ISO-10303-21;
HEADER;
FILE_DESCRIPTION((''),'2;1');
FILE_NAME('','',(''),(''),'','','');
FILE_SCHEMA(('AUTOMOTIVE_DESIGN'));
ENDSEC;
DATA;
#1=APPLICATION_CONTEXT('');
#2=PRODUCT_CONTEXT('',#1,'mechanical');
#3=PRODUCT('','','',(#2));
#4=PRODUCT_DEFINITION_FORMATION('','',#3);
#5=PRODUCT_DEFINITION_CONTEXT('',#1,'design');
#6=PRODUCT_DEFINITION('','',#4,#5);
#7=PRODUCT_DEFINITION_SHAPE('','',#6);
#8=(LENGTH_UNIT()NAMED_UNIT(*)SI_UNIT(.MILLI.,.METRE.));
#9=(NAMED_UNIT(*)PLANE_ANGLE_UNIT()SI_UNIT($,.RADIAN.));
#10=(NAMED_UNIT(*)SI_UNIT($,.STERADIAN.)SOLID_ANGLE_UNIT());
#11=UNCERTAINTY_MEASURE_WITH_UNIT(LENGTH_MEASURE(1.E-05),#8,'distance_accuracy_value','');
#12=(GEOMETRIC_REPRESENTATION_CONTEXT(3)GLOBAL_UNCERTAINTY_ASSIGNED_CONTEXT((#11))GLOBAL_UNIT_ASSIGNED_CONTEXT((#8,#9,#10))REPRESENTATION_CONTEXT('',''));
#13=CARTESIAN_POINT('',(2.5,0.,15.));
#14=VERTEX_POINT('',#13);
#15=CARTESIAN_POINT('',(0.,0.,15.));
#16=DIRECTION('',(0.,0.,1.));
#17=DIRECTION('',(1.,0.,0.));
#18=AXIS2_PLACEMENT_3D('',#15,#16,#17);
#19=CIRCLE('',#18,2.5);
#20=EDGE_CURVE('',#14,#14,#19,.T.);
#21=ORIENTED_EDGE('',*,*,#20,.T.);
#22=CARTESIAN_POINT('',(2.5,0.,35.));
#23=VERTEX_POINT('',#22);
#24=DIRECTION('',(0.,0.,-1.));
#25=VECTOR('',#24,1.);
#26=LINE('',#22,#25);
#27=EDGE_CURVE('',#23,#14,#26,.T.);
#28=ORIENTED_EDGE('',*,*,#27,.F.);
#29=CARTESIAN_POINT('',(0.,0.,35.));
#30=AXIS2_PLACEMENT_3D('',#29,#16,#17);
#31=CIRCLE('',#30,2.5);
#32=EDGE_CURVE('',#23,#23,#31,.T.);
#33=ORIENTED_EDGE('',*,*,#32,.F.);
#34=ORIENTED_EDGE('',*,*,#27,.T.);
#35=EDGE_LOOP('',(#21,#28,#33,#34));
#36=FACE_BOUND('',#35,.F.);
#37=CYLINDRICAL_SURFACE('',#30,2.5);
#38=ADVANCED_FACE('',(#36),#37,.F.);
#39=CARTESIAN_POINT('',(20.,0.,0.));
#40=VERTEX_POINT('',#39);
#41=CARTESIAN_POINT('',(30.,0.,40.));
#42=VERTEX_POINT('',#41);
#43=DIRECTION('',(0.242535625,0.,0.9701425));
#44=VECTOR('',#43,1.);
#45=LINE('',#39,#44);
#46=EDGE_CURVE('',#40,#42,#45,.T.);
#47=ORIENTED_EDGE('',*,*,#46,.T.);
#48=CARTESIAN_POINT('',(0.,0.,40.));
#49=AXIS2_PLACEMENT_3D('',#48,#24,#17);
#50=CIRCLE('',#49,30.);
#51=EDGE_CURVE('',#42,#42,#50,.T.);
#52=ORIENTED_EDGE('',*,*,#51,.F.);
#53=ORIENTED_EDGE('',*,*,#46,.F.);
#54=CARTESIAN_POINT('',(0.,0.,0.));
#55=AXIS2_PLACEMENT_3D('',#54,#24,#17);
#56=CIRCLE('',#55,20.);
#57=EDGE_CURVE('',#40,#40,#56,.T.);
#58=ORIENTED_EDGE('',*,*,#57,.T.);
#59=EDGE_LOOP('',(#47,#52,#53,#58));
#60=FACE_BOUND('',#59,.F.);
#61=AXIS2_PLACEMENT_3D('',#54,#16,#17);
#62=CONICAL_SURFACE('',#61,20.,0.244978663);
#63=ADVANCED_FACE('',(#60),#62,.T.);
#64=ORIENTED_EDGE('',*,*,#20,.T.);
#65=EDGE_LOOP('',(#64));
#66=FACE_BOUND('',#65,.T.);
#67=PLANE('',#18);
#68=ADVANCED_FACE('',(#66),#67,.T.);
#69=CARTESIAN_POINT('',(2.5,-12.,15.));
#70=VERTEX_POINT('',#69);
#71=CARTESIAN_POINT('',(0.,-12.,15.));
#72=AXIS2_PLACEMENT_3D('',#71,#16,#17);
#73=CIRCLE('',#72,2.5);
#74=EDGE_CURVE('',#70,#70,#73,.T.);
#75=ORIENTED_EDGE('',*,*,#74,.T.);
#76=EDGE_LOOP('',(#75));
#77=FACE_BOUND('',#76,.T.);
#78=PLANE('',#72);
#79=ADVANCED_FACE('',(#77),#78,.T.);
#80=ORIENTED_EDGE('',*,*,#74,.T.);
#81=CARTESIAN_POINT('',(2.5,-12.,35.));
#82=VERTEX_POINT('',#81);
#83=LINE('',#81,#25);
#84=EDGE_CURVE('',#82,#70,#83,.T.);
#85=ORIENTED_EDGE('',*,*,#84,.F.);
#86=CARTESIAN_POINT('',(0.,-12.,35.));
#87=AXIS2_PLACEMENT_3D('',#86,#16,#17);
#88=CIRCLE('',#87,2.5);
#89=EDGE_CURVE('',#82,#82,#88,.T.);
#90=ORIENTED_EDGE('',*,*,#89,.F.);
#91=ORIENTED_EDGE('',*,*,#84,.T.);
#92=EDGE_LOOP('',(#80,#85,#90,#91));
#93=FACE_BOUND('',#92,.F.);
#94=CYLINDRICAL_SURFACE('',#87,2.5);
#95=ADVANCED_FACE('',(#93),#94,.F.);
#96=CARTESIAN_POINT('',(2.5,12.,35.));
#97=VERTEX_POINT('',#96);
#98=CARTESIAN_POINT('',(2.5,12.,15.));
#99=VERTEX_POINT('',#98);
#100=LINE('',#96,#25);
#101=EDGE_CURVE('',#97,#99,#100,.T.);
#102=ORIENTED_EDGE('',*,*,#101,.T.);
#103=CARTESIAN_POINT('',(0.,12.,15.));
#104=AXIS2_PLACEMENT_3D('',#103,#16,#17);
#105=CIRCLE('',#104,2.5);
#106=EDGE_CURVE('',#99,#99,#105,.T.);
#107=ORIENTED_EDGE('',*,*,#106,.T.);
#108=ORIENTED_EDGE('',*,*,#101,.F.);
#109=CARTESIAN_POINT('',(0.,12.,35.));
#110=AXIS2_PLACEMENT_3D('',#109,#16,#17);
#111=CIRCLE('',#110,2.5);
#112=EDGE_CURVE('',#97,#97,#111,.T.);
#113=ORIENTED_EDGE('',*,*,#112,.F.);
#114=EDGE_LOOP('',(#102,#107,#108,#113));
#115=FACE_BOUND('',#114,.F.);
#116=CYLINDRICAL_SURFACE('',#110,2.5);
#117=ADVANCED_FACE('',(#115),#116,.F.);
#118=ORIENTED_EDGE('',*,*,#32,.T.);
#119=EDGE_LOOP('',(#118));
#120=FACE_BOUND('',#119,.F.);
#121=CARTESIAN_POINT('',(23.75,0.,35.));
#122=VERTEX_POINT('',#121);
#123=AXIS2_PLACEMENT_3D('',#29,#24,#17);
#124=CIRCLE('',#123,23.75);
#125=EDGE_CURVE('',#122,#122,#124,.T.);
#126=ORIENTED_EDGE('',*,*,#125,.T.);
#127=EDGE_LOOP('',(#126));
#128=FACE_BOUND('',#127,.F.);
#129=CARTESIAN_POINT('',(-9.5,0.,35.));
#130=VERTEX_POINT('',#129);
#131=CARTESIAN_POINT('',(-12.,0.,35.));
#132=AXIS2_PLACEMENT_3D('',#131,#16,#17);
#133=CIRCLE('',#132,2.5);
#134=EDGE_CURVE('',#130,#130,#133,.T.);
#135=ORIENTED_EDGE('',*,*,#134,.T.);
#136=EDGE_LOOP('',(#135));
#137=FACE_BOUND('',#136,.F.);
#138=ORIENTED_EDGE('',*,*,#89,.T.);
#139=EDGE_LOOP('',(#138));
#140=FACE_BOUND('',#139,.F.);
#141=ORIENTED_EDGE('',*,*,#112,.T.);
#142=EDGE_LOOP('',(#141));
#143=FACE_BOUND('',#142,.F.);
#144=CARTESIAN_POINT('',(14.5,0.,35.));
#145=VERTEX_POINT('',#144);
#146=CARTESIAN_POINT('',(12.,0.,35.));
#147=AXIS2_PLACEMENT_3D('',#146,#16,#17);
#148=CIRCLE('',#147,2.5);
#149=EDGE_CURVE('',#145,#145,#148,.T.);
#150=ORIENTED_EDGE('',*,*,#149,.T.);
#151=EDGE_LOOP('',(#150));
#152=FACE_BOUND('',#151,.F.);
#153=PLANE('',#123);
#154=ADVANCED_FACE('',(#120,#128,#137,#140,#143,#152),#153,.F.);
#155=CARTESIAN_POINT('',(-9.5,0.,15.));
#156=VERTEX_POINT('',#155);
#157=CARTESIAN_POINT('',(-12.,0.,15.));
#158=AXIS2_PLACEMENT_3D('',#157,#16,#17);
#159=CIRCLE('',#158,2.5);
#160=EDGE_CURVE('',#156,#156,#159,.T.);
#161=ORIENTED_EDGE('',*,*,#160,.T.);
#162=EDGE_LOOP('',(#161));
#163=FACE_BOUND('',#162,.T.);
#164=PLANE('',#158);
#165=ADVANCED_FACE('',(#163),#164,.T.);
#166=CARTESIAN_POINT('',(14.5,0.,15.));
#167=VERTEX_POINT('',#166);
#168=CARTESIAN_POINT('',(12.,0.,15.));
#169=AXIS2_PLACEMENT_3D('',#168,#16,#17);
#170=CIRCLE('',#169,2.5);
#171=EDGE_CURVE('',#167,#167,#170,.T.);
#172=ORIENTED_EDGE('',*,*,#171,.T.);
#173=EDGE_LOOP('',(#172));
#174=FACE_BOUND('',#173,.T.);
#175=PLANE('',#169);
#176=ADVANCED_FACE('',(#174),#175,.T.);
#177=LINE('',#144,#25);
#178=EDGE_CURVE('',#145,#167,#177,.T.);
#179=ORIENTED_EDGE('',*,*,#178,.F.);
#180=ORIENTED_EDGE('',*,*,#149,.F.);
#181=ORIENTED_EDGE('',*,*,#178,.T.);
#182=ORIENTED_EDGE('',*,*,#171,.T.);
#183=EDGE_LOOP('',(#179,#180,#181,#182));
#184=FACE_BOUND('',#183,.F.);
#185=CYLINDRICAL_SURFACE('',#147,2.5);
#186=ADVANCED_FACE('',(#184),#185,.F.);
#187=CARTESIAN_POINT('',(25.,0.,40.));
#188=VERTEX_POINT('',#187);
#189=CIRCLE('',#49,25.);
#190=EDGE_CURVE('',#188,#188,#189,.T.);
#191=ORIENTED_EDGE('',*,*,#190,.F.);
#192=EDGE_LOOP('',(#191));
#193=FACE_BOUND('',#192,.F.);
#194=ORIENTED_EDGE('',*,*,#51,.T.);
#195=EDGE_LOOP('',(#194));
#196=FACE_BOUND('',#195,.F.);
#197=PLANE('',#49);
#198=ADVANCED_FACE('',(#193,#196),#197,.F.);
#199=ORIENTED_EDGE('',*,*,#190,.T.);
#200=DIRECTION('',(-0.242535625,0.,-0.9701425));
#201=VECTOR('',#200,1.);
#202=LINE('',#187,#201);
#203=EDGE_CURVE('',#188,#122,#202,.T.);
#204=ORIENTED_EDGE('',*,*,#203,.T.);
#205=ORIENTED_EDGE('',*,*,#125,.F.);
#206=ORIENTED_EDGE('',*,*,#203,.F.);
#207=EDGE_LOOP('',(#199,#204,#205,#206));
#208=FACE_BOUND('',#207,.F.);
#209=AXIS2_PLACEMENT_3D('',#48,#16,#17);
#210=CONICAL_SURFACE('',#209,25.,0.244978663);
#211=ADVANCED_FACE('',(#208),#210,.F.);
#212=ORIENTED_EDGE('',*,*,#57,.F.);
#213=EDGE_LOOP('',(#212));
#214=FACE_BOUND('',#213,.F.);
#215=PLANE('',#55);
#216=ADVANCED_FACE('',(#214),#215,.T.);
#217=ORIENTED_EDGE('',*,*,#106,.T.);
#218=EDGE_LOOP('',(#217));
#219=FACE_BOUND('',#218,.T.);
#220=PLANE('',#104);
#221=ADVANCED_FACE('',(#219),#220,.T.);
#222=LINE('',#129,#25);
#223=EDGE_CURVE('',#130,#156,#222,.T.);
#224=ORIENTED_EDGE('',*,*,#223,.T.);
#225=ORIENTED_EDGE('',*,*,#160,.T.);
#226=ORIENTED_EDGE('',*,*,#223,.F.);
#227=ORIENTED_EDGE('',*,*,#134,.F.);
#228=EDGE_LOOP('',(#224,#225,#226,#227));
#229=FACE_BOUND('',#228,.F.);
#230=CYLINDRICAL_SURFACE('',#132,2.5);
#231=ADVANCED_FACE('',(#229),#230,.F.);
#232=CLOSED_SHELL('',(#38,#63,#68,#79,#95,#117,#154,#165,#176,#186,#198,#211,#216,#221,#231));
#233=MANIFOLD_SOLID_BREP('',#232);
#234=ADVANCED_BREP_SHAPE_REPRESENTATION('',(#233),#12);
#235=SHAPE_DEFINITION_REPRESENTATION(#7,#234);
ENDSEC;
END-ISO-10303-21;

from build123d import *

# Parameters (mm, degrees)
F2_R     = 2.5
F3_DEPTH = 20


with BuildPart() as f1:
    # F0 (on Front) → F1 (revolve)
    with BuildSketch(Plane.XZ):
        Polygon((0, 0), (20, 0), (30, 40), (25, 40), (23.75, 35), (0, 35), align=None)
    revolve(axis=Axis((0, 0, 17.5), (0, 0, -1)))

    # F2 (on face) → F3 (cut)
    with BuildSketch(Plane.XY.offset(35)):
        with Locations((12, 0)):
            Circle(F2_R)
        with Locations((0, -12)):
            Circle(F2_R)
        Circle(F2_R)
        with Locations((-12, 0)):
            Circle(F2_R)
        with Locations((0, 12)):
            Circle(F2_R)
    extrude(amount=-F3_DEPTH, mode=Mode.SUBTRACT)


solid = f1.part
